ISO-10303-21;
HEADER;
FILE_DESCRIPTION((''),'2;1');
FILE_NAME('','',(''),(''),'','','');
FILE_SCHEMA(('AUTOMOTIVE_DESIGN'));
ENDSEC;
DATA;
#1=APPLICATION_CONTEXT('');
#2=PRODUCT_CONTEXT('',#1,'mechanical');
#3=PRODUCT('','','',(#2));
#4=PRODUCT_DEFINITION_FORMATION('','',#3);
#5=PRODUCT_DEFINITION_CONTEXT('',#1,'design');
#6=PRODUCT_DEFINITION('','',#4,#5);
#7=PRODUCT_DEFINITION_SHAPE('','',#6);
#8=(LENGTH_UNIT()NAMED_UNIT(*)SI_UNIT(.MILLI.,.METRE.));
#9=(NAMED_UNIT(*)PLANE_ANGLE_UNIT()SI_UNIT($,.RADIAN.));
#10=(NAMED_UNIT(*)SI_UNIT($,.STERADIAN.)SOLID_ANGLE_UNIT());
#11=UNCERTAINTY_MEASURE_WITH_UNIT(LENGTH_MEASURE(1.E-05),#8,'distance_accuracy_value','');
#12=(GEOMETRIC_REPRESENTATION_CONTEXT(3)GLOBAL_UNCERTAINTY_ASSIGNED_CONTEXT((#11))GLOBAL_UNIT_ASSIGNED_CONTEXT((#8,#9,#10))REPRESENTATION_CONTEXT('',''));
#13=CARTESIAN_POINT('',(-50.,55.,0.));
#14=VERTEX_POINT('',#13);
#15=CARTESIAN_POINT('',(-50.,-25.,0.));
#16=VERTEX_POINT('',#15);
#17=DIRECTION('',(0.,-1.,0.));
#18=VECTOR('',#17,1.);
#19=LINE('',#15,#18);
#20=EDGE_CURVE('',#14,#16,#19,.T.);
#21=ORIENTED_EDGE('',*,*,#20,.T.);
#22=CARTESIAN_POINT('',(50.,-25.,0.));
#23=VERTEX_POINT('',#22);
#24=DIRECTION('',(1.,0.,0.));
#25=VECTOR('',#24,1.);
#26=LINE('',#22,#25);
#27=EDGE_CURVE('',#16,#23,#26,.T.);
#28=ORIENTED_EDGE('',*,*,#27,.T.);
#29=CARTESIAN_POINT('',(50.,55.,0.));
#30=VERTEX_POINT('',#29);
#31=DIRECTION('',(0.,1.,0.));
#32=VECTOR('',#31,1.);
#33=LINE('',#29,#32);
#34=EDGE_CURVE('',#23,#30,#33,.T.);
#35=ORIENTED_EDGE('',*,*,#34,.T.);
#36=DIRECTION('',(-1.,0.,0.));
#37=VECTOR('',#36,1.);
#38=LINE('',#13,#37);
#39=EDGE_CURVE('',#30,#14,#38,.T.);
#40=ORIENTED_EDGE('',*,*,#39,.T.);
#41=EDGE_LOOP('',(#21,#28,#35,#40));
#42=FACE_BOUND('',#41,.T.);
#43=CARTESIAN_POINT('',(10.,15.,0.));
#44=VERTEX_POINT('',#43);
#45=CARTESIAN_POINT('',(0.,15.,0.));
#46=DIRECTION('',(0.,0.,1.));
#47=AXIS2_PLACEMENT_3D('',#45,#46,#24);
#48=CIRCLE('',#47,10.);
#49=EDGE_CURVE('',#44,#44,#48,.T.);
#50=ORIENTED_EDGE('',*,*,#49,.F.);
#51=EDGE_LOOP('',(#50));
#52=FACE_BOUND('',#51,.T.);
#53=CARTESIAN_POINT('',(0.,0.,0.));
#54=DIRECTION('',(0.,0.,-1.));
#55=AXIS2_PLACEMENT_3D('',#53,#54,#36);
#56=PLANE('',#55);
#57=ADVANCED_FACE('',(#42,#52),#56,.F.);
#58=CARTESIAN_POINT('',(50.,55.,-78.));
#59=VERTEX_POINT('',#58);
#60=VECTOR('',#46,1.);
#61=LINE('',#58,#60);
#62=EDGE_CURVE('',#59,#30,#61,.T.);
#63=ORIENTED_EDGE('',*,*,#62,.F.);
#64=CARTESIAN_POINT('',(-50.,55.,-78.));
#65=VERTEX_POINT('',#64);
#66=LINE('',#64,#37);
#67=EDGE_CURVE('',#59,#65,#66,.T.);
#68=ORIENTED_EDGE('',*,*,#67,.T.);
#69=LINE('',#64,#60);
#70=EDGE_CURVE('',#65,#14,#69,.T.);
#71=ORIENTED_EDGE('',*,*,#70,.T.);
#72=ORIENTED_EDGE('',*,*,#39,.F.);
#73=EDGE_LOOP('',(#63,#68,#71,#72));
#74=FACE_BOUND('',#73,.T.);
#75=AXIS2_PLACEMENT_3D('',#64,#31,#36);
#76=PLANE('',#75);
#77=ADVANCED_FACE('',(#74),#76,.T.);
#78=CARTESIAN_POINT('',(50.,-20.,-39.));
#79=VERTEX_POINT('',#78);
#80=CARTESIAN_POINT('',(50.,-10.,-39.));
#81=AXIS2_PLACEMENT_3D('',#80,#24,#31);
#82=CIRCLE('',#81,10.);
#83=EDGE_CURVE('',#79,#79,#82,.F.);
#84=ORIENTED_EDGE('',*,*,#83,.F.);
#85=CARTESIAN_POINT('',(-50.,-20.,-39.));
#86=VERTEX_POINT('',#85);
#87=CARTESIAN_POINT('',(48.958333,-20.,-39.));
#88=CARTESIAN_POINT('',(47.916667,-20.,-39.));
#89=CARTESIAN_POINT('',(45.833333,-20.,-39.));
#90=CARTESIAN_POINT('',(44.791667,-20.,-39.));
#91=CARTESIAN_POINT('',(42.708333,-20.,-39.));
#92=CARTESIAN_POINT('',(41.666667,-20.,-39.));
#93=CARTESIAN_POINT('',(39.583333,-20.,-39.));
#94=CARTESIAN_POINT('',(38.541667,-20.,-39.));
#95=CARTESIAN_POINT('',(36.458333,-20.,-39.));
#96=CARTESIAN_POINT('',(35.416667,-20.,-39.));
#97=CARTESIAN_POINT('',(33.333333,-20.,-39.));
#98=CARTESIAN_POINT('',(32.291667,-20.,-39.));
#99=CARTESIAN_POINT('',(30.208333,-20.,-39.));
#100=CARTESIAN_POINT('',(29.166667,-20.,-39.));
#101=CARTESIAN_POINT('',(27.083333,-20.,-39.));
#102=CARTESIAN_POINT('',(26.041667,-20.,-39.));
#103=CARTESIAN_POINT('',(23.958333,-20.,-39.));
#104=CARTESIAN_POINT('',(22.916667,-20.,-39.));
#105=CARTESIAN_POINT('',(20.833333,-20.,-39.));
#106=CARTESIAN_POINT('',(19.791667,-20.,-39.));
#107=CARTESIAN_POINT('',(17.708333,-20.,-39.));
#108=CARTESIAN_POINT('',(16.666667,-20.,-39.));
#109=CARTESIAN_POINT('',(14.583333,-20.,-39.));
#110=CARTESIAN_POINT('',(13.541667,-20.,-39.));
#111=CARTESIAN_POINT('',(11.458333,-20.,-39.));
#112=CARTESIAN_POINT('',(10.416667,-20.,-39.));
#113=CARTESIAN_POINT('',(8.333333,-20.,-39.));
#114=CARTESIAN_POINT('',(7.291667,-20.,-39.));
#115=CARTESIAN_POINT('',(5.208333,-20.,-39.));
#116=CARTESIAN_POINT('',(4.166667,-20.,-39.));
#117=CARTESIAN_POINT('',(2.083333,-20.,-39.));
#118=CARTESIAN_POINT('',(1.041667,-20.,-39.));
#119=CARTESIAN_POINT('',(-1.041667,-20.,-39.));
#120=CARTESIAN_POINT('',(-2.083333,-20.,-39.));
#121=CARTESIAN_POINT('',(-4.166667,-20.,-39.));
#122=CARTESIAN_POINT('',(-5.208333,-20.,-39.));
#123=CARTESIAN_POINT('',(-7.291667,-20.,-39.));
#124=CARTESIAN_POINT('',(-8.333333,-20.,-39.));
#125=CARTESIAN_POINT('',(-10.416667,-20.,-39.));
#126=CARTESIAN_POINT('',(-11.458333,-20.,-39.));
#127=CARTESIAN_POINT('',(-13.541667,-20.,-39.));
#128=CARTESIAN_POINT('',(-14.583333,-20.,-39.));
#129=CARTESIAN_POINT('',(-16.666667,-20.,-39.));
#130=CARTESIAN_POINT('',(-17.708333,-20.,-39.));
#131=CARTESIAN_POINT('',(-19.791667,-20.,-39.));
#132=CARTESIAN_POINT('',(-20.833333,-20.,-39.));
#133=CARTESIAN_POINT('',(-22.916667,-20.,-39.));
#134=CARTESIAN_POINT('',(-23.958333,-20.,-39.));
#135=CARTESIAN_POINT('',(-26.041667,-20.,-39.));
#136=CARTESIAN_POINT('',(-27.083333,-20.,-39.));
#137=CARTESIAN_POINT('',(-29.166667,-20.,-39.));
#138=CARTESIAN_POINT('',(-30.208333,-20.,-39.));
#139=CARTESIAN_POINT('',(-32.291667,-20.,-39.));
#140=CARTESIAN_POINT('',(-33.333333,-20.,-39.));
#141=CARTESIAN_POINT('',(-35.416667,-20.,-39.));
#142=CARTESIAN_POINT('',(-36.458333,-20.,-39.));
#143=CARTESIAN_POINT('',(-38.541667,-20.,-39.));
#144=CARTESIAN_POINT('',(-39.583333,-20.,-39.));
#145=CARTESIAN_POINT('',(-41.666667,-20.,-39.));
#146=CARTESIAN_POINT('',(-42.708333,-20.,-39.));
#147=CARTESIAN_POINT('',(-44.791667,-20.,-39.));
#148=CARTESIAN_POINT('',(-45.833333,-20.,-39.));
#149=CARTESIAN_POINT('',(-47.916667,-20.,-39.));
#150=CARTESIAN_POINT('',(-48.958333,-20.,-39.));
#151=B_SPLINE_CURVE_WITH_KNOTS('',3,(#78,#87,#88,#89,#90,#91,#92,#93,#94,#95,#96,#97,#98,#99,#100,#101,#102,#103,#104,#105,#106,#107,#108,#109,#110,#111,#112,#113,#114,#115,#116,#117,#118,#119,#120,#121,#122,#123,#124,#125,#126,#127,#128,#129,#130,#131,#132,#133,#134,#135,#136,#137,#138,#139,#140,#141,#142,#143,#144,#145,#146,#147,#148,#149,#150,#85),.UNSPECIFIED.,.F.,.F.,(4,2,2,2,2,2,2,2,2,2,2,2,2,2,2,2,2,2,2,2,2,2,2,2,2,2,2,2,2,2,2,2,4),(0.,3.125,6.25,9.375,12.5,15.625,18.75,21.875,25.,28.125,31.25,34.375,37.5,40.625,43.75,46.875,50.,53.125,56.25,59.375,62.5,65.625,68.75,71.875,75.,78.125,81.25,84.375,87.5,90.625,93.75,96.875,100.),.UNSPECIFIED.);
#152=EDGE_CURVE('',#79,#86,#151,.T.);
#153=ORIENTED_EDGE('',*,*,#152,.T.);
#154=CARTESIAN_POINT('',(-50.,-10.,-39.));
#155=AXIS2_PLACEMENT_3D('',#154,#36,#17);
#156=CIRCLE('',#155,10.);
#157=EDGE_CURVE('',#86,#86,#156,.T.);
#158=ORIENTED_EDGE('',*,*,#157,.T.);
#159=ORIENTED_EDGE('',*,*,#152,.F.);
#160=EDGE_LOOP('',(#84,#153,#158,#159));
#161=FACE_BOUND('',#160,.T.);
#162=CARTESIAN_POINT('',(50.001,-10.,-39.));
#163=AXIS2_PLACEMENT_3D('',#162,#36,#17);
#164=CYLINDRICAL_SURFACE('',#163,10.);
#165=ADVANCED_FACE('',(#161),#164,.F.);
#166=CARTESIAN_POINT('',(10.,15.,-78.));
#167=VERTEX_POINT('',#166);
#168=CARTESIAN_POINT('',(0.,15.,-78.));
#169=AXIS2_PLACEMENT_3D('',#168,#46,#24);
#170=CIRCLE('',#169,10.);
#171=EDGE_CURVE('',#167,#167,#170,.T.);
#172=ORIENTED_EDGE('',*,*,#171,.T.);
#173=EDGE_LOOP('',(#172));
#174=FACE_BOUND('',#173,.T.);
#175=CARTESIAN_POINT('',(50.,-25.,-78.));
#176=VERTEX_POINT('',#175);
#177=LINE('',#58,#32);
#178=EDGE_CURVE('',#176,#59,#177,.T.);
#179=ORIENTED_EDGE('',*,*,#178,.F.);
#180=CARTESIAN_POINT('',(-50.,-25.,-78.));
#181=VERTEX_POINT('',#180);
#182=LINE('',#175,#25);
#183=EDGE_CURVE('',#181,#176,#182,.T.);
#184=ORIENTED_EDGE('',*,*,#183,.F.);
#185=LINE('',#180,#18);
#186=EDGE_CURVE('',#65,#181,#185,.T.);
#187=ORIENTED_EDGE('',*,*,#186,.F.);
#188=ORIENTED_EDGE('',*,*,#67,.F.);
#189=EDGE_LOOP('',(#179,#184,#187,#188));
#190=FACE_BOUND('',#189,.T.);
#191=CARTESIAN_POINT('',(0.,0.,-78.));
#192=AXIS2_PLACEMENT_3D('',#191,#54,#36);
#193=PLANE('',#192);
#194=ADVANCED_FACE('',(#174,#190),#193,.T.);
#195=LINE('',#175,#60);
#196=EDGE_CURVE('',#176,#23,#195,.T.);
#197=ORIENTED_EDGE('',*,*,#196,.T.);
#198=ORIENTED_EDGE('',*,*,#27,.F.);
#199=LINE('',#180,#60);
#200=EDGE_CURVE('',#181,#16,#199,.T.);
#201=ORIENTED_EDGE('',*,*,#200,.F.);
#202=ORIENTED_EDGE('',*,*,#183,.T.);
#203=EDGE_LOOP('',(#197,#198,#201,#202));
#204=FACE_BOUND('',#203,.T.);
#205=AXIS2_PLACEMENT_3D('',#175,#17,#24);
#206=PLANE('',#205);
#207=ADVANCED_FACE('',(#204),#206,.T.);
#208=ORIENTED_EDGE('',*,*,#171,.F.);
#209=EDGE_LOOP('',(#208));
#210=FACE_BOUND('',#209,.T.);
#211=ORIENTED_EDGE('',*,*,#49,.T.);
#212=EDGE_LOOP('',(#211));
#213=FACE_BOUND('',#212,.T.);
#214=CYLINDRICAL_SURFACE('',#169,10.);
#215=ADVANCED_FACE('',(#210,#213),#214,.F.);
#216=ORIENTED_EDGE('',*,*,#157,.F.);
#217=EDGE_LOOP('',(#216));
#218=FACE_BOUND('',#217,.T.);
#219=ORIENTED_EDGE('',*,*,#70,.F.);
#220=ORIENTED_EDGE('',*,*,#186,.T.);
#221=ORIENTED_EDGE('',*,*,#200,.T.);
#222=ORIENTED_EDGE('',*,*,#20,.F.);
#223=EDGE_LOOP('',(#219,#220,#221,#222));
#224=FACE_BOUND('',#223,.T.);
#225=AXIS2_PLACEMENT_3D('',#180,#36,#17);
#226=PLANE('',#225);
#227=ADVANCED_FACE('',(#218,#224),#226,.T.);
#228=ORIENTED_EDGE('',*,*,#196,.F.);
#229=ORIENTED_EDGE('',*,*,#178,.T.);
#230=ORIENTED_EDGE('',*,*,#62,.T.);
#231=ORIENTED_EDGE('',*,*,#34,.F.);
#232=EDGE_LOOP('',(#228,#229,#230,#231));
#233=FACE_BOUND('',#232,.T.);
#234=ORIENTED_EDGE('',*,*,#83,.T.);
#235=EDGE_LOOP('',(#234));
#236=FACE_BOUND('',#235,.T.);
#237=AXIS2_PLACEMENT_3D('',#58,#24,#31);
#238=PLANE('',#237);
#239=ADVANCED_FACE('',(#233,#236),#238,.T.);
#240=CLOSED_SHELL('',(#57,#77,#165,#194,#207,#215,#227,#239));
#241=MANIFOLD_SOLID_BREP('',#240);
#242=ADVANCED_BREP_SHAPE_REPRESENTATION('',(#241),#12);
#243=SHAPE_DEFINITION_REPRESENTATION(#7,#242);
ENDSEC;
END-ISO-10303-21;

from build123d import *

# Parameters (mm, degrees)
SKETCH_1_W          = 100
SKETCH_1_H          = 80
SKETCH_1_R          = 10
EXTRUDE_1_DEPTH     = 78
CUT_EXTRUDE_1_REACH = 140.235
SKETCH_3_R          = 10


with BuildPart() as part:
    # Эскиз1 → Бобышка-Вытянуть1 (new body)
    with BuildSketch(Plane.XY):
        with Locations((0, 15)):
            Rectangle(SKETCH_1_W, SKETCH_1_H)
        with Locations((0, 15)):
            Circle(SKETCH_1_R, mode=Mode.SUBTRACT)
    extrude(amount=-EXTRUDE_1_DEPTH)

    # Эскиз3 → Вырез-Вытянуть1 (cut, up to next)
    with BuildSketch(Plane.ZY.offset(50), mode=Mode.PRIVATE) as cut_extrude_1_sk1:
        with Locations(Location((-39, -10, 0), (0, 0, 270))):
            Circle(SKETCH_3_R)
    cut_extrude_1_tool1 = extrude(cut_extrude_1_sk1.sketch, amount=-CUT_EXTRUDE_1_REACH, mode=Mode.PRIVATE) & part.part
    add(cut_extrude_1_tool1.solids().sort_by_distance((-50, -10, -39))[0], mode=Mode.SUBTRACT)


solid = part.part
